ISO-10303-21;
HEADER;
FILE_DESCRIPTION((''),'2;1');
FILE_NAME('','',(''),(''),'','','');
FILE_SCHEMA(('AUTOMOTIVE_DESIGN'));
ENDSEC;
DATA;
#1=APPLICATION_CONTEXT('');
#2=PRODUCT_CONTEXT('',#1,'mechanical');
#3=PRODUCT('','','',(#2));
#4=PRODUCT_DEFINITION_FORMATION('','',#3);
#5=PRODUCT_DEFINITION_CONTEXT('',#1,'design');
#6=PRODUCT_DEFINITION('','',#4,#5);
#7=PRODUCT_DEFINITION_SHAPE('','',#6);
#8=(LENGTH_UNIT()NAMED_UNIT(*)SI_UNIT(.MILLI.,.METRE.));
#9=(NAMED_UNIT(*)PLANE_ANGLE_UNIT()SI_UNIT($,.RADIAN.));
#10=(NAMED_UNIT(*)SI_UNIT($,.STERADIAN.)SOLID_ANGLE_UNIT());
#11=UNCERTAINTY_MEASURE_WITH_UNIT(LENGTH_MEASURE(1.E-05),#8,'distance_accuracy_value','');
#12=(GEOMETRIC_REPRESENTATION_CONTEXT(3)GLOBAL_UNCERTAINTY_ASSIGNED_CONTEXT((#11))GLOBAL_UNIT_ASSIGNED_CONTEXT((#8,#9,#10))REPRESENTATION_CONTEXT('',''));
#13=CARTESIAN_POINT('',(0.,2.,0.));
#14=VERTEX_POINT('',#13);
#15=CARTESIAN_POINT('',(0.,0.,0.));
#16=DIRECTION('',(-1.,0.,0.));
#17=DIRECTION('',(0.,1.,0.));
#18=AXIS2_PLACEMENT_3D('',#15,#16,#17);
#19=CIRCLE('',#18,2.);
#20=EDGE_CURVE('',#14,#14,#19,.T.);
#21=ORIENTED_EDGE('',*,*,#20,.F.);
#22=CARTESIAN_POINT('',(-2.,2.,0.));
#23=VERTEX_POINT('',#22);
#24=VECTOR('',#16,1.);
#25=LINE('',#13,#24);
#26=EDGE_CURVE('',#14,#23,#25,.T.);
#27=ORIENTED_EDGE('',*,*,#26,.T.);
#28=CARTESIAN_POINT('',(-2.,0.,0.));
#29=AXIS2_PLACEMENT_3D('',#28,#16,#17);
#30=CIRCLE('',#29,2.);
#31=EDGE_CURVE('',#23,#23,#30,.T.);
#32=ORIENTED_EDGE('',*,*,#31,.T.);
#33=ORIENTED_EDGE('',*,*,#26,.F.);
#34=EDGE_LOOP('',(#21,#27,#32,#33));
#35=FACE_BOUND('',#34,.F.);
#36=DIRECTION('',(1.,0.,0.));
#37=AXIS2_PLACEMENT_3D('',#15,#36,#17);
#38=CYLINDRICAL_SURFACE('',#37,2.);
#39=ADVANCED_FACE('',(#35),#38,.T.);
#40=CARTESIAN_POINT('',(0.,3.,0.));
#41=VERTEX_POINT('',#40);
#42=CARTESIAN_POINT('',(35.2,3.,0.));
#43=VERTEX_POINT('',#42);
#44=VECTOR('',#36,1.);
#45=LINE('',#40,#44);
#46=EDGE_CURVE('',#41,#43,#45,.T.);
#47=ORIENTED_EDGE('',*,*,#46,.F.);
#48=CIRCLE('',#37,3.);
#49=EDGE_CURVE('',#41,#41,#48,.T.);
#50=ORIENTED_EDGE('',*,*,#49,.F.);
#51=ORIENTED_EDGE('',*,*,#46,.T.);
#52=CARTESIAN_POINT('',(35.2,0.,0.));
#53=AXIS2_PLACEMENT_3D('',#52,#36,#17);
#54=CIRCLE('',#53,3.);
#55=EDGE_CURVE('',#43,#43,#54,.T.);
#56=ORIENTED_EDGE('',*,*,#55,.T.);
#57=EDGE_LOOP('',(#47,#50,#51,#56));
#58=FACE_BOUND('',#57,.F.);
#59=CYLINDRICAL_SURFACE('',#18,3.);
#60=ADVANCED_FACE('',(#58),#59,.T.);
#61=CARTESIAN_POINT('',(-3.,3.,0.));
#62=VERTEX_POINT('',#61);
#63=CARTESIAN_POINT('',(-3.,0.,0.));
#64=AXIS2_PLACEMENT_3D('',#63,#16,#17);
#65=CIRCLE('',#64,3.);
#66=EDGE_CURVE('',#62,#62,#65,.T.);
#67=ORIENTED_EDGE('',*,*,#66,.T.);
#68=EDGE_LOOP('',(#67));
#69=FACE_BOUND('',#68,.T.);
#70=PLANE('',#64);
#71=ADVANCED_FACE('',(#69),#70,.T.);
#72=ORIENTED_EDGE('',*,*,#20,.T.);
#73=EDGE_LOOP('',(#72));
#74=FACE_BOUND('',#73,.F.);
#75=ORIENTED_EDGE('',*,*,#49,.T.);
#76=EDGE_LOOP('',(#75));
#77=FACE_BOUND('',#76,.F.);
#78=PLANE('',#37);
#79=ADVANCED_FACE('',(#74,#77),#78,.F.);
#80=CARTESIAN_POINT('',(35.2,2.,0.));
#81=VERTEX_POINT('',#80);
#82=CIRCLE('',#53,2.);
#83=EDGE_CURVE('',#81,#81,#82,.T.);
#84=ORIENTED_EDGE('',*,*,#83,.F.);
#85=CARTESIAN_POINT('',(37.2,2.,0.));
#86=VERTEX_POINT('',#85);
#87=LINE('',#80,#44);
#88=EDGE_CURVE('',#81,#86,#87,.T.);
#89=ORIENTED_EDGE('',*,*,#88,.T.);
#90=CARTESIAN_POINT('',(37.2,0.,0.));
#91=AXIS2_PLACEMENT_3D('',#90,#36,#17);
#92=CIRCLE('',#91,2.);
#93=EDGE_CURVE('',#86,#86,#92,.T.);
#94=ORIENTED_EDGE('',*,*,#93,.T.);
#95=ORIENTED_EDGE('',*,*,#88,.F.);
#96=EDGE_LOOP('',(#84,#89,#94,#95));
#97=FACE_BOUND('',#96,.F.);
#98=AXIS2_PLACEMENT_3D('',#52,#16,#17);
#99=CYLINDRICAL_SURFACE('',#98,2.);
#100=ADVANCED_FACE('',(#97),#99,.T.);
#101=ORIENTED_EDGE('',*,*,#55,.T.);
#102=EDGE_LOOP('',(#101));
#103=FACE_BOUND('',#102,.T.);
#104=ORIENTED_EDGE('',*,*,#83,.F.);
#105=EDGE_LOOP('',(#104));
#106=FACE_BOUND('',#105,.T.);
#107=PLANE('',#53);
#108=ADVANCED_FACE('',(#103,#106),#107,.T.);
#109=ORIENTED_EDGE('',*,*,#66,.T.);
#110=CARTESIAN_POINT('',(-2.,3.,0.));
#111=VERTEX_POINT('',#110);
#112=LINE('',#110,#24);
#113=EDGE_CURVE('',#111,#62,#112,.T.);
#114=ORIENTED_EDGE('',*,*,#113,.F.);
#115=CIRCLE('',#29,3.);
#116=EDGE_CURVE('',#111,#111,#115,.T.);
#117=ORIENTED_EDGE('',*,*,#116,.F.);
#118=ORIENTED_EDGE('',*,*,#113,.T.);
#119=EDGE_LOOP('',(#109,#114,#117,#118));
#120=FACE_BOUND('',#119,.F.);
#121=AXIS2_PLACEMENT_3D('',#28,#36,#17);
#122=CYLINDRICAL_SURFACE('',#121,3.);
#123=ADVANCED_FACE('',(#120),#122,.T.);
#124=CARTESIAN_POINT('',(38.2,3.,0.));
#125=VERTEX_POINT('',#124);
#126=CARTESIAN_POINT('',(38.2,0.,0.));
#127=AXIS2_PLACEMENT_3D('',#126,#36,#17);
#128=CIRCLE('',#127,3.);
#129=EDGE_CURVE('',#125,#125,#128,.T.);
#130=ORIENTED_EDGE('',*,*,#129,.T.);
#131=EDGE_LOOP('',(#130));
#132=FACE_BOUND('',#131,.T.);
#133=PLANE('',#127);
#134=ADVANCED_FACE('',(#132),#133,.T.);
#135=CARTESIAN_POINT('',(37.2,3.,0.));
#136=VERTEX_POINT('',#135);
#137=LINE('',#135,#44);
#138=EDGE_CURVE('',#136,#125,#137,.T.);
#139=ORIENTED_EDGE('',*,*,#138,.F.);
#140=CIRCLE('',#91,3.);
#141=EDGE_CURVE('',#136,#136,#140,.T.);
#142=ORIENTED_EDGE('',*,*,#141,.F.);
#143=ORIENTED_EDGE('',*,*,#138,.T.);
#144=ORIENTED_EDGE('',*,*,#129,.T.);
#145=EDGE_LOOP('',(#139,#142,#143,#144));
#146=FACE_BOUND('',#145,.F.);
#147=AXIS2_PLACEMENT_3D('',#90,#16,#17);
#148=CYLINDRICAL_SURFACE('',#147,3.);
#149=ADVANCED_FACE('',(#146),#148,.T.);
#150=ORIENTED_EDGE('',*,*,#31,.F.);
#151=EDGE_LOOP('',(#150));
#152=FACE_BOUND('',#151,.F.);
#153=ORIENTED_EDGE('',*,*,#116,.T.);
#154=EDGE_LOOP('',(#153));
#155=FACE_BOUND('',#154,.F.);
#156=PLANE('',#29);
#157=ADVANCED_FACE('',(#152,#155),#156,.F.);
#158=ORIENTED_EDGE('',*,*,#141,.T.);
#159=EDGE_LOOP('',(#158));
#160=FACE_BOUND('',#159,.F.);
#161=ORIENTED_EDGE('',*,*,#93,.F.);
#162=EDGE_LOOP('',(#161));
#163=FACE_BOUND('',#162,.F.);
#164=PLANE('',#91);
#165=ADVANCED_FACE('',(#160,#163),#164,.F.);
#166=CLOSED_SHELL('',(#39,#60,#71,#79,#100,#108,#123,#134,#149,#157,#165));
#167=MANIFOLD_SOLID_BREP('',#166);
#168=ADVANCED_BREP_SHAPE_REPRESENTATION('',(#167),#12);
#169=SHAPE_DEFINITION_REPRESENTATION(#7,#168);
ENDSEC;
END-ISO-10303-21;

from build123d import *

# Parameters (mm, degrees)
SKETCH_R     = 3
PAD_DEPTH    = 35.2
SKETCH001_R  = 2
PAD001_DEPTH = 2
SKETCH002_R  = 3
PAD002_DEPTH = 1
SKETCH003_R  = 2
PAD003_DEPTH = 2
SKETCH004_R  = 3
PAD004_DEPTH = 1


with BuildPart() as part:
    # Sketch → Pad (new body)
    with BuildSketch(Plane.YZ):
        Circle(SKETCH_R)
    extrude(amount=PAD_DEPTH)

    # Sketch001 (on Face3 of Pad) → Pad001 (join)
    with BuildSketch(Plane.YZ.offset(35.2)):
        Circle(SKETCH001_R)
    extrude(amount=PAD001_DEPTH)

    # Sketch002 (on Face5 of Pad001) → Pad002 (join)
    with BuildSketch(Plane.YZ.offset(37.2)):
        Circle(SKETCH002_R)
    extrude(amount=PAD002_DEPTH)

    # Sketch003 (on Face7 of Pad002) → Pad003 (join)
    with BuildSketch(Plane(origin=(0, 0, 0), x_dir=(0, 1, 0), z_dir=(-1, 0, 0))):
        Circle(SKETCH003_R)
    extrude(amount=PAD003_DEPTH)

    # Sketch004 (on Face9 of Pad003) → Pad004 (join)
    with BuildSketch(Plane(origin=(-2, 0, 0), x_dir=(0, 1, 0), z_dir=(-1, 0, 0))):
        Circle(SKETCH004_R)
    extrude(amount=PAD004_DEPTH)


solid = part.part
